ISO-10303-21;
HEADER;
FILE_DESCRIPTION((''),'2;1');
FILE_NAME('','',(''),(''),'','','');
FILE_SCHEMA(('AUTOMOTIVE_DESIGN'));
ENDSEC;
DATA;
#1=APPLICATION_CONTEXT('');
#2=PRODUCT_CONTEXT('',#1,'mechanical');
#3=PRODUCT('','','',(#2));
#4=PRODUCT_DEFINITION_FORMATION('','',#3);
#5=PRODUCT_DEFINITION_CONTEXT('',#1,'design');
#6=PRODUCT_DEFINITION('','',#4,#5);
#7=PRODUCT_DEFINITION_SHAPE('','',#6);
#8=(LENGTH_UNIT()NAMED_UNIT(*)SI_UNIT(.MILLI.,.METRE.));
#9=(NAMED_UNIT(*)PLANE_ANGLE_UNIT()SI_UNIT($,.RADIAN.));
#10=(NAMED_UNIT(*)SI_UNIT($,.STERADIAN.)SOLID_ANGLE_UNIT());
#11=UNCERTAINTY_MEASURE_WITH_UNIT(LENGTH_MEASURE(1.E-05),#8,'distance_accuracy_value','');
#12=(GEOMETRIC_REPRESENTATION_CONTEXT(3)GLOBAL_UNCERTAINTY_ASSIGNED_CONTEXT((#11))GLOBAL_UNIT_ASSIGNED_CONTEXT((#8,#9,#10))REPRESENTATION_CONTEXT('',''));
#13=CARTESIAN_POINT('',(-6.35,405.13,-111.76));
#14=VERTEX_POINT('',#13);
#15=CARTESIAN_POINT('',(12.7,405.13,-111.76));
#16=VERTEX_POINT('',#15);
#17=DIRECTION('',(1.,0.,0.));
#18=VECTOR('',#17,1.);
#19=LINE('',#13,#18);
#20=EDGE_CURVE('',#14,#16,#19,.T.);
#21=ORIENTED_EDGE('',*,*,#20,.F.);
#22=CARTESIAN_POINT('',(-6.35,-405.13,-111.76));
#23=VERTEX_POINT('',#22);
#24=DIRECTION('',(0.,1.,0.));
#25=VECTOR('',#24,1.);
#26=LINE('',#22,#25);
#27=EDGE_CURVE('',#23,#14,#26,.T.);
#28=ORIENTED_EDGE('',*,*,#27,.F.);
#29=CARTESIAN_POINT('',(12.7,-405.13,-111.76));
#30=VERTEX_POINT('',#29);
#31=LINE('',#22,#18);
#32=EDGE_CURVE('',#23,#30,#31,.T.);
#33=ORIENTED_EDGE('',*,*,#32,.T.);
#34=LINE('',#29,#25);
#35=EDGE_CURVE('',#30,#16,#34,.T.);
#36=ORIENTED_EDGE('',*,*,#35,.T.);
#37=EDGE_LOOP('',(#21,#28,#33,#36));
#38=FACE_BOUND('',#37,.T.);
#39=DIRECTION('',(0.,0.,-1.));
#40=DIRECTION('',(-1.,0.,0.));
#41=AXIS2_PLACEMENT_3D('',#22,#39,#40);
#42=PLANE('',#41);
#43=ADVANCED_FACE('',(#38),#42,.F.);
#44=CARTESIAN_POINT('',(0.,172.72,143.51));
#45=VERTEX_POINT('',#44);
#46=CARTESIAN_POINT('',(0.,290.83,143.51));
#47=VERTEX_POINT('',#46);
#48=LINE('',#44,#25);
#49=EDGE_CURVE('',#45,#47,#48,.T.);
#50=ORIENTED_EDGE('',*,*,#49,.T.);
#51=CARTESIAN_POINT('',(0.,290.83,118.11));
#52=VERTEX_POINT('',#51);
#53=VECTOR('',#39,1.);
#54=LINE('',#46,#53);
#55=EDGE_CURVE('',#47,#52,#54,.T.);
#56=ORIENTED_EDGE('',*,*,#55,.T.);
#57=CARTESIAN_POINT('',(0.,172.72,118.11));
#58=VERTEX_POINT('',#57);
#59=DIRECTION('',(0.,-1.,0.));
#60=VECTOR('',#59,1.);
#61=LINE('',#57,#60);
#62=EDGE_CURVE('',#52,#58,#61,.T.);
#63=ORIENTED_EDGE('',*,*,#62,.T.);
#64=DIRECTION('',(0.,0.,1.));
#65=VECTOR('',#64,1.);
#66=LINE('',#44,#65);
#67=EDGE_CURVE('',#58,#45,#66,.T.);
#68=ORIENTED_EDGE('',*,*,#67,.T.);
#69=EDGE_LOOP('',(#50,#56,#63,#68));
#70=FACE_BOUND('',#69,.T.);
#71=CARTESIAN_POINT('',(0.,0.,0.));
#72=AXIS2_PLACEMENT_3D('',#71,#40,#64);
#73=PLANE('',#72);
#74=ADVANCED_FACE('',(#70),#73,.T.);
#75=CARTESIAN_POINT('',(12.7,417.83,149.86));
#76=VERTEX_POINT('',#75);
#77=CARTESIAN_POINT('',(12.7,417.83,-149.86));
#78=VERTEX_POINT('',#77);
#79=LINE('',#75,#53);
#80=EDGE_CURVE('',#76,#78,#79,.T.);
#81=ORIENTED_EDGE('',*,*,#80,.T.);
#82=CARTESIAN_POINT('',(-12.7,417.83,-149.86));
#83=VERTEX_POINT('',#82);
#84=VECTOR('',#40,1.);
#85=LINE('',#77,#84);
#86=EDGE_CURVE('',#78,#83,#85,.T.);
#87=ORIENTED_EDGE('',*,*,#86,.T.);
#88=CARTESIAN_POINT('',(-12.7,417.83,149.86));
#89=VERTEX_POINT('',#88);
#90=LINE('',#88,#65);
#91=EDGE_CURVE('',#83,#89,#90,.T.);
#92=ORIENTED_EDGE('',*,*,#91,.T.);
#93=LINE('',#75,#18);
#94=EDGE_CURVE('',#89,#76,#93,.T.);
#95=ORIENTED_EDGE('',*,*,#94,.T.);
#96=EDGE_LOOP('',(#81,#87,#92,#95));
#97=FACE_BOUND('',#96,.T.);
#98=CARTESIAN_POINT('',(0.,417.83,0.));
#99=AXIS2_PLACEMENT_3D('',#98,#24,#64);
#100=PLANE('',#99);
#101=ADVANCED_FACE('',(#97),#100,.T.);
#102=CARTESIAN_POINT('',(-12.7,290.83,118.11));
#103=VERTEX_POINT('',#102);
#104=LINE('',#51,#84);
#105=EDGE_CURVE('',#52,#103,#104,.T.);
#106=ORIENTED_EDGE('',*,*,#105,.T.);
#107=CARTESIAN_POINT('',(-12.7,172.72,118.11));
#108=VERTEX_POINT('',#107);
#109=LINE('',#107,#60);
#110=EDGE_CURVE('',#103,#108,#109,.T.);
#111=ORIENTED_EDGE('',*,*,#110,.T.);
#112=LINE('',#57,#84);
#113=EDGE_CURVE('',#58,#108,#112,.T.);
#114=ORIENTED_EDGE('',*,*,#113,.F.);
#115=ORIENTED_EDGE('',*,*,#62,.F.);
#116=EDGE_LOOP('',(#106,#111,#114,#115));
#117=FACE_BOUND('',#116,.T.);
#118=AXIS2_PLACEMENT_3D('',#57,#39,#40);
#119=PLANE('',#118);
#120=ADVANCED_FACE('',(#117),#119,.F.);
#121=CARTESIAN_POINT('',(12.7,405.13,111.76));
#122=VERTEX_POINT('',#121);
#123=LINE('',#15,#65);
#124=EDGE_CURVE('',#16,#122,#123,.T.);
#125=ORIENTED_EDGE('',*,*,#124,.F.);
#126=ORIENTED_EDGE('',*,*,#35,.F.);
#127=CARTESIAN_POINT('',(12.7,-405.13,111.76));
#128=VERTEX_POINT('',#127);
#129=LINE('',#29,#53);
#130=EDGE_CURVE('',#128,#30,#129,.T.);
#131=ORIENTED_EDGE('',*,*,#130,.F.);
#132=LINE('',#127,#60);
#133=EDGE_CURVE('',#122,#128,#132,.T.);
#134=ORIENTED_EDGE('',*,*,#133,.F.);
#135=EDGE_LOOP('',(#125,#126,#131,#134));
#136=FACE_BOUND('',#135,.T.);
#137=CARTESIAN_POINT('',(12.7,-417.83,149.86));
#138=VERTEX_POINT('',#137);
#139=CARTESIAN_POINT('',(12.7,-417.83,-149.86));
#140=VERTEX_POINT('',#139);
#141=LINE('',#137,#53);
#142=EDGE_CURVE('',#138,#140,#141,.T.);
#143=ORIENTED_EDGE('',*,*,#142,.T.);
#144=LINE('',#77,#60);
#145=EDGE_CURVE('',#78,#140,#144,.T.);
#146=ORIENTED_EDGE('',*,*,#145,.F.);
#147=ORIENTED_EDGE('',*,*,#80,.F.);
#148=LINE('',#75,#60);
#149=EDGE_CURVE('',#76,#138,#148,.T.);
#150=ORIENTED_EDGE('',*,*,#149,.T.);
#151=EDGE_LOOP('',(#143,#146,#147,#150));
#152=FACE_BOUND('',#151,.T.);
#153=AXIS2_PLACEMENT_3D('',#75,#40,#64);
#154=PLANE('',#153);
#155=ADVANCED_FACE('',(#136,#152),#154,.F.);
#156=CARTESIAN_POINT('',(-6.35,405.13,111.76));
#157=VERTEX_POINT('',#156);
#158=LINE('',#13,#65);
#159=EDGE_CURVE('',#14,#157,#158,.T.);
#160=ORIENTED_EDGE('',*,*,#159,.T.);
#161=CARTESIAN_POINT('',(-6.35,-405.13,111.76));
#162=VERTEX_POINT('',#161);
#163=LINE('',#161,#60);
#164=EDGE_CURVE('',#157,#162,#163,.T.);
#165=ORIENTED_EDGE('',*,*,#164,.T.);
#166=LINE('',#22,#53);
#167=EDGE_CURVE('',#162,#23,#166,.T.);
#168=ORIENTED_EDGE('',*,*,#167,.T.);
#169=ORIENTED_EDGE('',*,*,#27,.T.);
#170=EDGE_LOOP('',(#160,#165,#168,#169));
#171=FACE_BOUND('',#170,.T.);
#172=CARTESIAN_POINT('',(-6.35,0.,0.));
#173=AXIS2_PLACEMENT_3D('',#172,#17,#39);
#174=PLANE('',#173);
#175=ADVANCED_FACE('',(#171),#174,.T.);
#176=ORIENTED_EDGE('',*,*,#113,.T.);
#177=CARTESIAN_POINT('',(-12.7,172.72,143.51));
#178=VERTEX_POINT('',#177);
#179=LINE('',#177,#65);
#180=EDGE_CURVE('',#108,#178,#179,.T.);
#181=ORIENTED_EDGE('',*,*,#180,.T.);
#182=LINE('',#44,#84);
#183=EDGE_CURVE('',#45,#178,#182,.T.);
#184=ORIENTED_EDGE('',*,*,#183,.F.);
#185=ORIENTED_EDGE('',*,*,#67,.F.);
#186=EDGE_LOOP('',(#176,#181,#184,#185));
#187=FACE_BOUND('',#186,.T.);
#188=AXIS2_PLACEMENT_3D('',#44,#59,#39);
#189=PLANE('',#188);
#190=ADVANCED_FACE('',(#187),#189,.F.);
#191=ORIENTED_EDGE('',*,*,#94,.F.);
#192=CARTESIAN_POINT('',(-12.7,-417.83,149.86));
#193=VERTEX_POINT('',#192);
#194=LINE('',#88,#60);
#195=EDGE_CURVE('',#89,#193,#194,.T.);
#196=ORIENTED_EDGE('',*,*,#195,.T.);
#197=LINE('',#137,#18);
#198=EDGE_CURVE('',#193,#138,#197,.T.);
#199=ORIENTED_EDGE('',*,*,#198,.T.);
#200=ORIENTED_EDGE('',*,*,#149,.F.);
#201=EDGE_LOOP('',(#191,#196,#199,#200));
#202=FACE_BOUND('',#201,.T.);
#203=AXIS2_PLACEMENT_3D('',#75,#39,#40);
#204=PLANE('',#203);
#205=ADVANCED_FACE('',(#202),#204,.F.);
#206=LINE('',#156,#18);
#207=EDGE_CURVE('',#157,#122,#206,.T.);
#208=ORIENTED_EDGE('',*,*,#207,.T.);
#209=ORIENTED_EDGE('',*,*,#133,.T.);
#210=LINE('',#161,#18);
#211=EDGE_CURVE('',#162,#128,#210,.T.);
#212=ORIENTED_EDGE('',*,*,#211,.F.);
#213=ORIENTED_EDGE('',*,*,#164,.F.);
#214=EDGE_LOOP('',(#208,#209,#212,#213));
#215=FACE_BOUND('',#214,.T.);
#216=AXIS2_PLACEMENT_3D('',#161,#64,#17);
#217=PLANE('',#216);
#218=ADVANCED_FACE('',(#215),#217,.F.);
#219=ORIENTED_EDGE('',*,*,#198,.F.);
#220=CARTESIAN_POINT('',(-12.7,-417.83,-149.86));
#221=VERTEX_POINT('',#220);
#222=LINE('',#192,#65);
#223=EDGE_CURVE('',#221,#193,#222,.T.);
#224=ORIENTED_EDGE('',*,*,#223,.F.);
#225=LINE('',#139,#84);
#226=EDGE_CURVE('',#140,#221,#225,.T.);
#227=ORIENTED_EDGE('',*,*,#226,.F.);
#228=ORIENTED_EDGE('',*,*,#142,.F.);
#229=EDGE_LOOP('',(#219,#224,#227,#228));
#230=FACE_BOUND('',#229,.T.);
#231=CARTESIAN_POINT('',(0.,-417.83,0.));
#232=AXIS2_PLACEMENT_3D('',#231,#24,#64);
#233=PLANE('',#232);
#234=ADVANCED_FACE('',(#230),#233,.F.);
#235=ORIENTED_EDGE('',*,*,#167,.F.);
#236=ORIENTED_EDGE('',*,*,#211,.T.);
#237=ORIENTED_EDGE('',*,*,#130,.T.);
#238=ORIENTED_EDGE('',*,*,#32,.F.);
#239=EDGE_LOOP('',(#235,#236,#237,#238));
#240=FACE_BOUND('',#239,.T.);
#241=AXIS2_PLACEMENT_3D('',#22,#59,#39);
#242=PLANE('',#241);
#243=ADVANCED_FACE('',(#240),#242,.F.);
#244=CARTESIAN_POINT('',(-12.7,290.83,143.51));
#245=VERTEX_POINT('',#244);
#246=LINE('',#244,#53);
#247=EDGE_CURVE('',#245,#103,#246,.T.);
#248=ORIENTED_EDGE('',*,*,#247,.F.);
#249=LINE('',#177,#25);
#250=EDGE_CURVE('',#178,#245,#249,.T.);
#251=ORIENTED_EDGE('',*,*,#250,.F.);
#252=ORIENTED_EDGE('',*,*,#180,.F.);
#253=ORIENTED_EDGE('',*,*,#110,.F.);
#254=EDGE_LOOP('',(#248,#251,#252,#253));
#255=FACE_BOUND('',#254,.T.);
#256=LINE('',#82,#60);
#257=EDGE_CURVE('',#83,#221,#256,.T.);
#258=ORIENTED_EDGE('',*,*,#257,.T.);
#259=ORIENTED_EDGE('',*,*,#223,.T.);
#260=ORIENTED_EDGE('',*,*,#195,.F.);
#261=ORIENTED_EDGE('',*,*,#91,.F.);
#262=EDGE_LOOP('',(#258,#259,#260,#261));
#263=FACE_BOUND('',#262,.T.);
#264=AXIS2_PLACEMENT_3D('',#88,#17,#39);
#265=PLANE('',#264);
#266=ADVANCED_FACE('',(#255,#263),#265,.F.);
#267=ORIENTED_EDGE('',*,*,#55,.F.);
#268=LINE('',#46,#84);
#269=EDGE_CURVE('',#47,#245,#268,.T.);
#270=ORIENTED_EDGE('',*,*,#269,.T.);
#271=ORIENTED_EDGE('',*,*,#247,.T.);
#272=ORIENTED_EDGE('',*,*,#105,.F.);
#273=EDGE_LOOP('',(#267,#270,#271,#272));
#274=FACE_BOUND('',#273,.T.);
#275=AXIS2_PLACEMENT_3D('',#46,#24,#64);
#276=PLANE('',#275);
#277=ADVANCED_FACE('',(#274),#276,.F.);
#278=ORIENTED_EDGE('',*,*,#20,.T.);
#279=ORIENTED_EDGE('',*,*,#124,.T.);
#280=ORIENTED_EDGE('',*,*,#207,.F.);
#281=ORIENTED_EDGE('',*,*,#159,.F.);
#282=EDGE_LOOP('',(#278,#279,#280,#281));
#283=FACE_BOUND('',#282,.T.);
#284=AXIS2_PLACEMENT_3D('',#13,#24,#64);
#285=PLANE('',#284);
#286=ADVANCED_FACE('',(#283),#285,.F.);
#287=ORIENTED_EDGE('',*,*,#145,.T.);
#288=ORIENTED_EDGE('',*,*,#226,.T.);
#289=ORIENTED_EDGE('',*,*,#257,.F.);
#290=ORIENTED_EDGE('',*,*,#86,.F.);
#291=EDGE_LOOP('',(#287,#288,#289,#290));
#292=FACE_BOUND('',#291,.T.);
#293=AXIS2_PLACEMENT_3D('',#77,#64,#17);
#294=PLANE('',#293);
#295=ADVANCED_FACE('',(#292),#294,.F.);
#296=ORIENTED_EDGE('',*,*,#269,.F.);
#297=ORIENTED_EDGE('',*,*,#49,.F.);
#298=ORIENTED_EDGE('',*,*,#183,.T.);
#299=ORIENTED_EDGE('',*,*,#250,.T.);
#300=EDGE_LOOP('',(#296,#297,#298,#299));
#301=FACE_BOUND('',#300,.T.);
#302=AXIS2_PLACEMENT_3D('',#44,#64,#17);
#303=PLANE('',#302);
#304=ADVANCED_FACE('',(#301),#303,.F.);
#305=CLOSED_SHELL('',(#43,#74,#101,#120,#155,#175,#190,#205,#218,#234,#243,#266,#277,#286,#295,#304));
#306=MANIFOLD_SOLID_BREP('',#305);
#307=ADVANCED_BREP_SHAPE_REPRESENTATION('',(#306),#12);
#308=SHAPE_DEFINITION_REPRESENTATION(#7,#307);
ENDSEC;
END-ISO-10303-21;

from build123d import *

# Parameters (mm, degrees)
SKETCH1_W           = 25.4
SKETCH1_H           = 299.72
BOSS_EXTRUDE1_DEPTH = 417.83
SKETCH2_W           = 223.52
SKETCH2_H           = 810.26
CUT_EXTRUDE1_DEPTH  = 19.05
SKETCH3_W           = 25.4
SKETCH3_H           = 118.11
CUT_EXTRUDE2_DEPTH  = 12.7


with BuildPart() as part:
    # Sketch1 → Boss-Extrude1 (new, symmetric)
    with BuildSketch(Plane(origin=(0, 0, 0), x_dir=(1, 0, 0), z_dir=(0, 1, 0))):
        Rectangle(SKETCH1_W, SKETCH1_H)
    extrude(amount=BOSS_EXTRUDE1_DEPTH, both=True)

    # Sketch2 → Cut-Extrude1 (cut)
    with BuildSketch(Plane(origin=(12.7, 0, 0), x_dir=(0, 0, -1), z_dir=(1, 0, 0))):
        Rectangle(SKETCH2_W, SKETCH2_H)
    extrude(amount=-CUT_EXTRUDE1_DEPTH, mode=Mode.SUBTRACT)

    # Sketch3 → Cut-Extrude2 (cut)
    with BuildSketch(Plane.ZY.offset(12.7)):
        with Locations((130.81, 231.775)):
            Rectangle(SKETCH3_W, SKETCH3_H)
    extrude(amount=-CUT_EXTRUDE2_DEPTH, mode=Mode.SUBTRACT)


solid = part.part
